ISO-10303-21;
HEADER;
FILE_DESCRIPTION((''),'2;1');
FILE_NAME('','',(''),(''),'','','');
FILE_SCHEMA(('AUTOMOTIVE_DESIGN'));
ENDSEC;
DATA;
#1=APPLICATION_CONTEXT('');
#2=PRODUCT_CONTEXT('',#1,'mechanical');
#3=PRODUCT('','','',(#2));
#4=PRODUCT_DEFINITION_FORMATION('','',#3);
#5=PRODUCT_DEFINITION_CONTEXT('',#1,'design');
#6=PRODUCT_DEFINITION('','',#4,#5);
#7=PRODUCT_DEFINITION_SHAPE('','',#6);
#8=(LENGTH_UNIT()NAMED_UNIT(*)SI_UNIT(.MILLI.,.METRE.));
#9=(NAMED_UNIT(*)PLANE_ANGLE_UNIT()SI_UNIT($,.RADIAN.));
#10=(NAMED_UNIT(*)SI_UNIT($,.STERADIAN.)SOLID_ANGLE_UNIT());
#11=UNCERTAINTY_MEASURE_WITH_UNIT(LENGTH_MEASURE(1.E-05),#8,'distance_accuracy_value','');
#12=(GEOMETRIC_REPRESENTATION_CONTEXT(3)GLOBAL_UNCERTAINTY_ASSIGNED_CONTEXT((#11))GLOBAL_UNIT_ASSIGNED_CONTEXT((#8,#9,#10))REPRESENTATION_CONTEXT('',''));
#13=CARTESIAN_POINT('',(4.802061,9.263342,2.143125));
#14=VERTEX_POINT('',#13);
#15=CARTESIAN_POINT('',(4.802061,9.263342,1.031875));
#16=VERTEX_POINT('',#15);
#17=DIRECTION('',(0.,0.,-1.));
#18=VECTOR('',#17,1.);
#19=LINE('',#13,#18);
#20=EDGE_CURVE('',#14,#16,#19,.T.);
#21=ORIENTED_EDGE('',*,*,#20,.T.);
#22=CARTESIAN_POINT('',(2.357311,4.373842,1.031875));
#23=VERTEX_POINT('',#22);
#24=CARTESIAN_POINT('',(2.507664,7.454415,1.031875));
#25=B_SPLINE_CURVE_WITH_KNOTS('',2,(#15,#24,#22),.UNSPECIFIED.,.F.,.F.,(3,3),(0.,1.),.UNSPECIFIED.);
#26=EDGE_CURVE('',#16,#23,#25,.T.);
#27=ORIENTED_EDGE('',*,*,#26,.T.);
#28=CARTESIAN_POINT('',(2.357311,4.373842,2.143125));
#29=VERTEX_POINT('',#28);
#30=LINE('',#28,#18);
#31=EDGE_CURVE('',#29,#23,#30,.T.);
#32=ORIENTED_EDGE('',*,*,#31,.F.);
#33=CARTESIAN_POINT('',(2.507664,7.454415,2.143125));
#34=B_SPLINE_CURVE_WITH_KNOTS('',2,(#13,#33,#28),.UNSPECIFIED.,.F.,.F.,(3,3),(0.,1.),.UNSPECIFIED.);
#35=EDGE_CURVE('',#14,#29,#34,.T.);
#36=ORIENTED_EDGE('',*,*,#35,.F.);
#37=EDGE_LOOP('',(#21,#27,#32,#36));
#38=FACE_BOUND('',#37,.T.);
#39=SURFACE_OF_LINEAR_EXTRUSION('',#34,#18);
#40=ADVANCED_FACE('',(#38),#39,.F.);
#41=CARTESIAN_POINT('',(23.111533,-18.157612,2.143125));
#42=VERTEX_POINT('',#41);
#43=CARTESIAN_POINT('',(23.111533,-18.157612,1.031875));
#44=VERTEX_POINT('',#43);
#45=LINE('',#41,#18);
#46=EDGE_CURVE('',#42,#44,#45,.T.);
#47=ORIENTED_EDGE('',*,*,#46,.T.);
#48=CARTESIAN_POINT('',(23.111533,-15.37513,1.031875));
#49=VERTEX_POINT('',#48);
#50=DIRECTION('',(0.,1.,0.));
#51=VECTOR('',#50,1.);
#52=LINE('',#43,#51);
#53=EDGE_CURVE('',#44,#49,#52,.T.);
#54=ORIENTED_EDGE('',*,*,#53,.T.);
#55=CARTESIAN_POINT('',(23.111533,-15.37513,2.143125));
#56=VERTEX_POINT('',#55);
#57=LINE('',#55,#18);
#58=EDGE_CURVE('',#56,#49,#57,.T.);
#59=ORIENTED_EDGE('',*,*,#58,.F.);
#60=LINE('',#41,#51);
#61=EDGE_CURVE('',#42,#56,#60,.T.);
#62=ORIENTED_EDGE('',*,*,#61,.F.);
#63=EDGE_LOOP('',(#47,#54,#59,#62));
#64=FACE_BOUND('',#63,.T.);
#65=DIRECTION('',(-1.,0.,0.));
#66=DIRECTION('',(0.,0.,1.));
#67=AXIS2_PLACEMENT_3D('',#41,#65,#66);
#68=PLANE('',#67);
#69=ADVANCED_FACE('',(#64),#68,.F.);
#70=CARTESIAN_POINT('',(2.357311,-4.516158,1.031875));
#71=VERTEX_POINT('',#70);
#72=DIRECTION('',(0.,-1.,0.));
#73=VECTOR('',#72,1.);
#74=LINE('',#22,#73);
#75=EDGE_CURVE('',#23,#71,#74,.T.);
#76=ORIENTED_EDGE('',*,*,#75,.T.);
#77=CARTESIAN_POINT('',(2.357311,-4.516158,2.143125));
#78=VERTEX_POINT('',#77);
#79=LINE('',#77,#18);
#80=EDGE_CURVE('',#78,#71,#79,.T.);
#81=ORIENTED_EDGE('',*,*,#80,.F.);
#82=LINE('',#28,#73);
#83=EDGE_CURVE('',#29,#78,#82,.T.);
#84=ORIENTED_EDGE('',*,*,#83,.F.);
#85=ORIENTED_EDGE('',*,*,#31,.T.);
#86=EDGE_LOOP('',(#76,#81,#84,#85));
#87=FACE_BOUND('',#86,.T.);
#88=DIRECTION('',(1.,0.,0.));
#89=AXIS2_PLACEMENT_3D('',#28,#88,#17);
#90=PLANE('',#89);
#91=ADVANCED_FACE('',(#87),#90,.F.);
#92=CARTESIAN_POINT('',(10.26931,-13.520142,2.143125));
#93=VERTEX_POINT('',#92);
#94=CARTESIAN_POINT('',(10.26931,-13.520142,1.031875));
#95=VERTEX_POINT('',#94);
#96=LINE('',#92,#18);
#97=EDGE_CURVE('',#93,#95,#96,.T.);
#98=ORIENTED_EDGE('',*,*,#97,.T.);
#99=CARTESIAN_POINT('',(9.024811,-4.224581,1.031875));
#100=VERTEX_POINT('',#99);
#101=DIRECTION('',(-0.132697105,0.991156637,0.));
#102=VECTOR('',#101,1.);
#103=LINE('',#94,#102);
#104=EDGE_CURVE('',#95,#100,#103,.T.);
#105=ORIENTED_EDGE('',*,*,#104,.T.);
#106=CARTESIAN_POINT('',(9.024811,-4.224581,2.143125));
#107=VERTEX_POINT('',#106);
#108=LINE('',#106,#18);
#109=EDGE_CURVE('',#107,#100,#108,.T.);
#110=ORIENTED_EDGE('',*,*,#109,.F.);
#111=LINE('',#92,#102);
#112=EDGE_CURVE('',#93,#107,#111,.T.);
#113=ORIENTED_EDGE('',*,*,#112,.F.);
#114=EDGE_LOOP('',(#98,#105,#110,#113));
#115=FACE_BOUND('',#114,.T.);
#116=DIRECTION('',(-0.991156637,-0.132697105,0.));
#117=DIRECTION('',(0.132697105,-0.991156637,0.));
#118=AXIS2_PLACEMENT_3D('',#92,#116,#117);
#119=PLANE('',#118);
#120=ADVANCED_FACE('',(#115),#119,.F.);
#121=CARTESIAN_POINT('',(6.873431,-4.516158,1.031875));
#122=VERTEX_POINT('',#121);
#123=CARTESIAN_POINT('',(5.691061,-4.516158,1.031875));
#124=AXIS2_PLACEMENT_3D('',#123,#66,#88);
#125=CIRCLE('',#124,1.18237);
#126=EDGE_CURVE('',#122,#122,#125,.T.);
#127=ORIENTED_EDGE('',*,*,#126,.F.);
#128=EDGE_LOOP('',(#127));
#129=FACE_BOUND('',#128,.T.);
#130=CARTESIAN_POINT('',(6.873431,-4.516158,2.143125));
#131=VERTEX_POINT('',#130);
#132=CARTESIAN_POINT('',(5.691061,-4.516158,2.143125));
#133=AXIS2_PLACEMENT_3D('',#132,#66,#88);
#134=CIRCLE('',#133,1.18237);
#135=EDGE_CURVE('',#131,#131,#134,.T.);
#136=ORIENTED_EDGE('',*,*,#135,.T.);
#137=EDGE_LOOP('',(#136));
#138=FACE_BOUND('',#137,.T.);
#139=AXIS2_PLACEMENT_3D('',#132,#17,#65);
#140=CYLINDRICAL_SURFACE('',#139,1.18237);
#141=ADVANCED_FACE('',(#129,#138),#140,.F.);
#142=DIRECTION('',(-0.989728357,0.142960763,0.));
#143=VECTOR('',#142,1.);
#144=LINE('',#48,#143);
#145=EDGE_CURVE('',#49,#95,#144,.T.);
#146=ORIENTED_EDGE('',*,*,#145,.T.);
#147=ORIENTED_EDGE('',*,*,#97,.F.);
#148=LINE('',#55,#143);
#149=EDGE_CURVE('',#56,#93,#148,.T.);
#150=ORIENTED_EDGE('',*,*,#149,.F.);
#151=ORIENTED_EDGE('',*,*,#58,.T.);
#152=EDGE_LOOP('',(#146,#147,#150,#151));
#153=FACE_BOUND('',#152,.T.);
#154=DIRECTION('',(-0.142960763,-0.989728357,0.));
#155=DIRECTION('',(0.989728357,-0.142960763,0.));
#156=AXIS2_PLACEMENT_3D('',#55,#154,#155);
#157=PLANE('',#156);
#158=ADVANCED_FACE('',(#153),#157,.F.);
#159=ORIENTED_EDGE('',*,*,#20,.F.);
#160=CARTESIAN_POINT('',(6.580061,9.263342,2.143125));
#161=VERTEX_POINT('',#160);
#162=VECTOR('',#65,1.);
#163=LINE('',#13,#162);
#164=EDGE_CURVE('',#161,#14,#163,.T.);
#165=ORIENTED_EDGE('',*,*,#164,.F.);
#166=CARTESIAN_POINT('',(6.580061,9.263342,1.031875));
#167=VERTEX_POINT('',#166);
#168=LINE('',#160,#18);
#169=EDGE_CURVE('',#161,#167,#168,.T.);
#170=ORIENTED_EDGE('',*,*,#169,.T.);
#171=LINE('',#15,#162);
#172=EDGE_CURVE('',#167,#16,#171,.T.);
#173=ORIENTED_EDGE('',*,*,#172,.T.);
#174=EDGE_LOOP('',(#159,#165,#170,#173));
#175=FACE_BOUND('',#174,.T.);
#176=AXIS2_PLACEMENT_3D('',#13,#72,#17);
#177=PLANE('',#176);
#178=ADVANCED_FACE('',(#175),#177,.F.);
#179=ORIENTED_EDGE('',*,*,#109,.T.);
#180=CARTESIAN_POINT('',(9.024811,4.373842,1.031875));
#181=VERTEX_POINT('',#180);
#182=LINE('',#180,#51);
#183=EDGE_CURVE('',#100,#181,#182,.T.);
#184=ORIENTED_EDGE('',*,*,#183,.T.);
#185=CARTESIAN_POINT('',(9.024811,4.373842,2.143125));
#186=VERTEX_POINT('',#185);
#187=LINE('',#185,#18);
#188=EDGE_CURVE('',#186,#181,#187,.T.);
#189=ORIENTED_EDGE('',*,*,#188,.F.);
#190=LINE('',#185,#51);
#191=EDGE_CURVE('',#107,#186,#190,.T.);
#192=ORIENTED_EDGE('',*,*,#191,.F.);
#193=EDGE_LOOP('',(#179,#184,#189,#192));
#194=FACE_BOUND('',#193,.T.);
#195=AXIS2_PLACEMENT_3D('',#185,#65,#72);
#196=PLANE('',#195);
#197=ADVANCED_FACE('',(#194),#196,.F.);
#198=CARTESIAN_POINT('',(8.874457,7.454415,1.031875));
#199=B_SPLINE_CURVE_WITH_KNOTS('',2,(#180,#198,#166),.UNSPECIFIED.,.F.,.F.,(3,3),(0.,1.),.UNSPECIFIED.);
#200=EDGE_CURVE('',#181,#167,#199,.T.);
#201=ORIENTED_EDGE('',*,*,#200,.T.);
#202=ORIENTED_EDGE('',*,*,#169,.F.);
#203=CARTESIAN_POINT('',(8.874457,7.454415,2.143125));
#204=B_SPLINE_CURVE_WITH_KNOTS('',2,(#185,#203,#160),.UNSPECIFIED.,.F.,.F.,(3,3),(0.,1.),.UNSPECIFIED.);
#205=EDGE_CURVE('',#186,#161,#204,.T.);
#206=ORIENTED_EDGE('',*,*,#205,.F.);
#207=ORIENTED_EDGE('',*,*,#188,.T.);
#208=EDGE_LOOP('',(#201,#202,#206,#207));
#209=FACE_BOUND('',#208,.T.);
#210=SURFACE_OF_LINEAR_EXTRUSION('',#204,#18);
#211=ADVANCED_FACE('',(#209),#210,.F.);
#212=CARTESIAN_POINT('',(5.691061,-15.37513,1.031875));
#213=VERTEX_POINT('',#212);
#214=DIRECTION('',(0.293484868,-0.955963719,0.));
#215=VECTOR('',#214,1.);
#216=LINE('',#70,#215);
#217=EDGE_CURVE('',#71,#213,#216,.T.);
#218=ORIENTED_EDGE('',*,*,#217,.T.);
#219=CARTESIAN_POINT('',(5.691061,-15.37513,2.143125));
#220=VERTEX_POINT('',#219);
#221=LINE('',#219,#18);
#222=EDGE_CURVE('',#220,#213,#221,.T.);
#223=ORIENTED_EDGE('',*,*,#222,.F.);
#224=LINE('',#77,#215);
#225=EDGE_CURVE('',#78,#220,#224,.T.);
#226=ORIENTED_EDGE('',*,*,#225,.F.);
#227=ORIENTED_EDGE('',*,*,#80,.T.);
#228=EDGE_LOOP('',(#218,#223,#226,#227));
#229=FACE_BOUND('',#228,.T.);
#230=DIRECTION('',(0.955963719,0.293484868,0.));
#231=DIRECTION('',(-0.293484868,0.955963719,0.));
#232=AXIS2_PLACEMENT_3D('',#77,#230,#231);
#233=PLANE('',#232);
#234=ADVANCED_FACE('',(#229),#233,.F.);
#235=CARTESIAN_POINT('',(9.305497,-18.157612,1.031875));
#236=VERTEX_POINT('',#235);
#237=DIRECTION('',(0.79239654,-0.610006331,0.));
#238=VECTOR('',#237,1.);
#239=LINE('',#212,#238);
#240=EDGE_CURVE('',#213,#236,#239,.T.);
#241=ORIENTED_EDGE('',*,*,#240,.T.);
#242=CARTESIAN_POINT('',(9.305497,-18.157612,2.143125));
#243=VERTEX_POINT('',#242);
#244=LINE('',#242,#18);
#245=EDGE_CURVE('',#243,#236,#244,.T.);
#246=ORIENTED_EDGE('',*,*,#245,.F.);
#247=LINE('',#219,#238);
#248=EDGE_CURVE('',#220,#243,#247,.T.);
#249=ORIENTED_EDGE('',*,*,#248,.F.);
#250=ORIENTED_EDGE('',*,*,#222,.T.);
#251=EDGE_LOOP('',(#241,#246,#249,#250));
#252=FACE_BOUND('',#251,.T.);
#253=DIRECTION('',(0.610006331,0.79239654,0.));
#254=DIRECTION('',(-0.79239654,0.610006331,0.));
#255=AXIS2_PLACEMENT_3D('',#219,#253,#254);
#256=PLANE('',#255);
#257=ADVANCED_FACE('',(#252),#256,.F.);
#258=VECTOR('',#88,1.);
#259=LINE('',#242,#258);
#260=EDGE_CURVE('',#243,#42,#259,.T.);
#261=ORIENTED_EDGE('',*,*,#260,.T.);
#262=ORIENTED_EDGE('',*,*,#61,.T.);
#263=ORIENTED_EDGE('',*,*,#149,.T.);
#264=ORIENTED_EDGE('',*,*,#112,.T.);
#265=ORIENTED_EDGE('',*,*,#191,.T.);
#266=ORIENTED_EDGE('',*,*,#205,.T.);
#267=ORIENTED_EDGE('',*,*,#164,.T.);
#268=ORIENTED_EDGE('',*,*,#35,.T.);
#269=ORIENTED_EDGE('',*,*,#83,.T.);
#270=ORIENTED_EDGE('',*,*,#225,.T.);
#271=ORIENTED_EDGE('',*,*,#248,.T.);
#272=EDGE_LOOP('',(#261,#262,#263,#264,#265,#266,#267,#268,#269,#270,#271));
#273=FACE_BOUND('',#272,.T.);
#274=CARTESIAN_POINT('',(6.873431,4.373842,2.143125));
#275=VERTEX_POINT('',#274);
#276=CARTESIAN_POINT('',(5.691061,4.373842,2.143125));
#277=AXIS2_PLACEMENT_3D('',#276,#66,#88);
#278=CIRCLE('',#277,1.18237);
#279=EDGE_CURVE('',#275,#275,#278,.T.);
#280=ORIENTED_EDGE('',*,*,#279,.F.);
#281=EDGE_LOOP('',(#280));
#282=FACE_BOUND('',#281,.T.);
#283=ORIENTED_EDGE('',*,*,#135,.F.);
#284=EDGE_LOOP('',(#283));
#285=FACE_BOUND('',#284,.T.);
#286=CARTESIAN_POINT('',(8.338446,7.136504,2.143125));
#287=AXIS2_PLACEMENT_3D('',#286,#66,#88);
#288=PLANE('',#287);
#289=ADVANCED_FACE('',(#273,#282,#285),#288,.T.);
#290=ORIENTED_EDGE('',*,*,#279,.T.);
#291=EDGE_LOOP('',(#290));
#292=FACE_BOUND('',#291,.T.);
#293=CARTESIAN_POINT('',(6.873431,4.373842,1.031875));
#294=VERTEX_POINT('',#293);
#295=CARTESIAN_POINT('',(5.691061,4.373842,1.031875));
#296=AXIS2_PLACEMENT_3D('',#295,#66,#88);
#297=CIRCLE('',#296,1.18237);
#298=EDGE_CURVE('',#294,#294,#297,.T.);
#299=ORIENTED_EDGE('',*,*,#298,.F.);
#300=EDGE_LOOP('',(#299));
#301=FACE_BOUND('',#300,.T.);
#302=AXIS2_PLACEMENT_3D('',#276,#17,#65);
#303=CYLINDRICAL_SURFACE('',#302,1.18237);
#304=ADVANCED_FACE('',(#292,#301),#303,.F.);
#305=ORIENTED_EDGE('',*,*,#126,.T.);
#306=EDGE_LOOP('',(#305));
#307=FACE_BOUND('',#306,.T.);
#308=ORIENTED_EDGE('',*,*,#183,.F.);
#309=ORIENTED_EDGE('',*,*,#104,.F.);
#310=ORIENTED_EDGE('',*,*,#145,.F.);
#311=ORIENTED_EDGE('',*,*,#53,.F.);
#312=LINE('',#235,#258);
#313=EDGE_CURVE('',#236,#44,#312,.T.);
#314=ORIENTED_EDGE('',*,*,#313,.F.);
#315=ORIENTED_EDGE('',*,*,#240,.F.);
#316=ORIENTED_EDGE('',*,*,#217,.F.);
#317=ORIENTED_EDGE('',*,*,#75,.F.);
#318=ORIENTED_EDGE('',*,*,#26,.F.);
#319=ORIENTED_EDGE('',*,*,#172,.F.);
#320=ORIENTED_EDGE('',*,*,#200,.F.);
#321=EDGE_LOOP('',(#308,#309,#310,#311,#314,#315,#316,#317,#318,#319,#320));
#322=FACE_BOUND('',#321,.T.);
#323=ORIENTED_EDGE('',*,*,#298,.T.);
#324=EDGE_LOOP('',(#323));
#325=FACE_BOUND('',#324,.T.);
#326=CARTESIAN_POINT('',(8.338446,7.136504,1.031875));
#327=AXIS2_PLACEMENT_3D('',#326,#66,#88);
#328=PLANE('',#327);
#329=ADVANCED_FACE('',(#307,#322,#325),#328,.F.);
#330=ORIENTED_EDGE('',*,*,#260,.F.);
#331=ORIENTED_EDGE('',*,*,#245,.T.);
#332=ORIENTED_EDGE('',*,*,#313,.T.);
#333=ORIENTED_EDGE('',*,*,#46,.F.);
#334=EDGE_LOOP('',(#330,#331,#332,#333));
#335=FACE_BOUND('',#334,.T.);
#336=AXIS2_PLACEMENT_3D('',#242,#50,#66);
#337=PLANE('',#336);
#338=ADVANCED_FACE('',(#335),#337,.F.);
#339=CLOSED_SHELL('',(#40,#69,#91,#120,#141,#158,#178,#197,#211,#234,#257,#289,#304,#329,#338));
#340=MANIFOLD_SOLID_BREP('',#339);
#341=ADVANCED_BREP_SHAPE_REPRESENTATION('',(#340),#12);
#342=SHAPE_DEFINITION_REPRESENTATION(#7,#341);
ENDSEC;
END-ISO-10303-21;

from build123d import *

# Parameters (mm, degrees)
SKETCH1_R           = 3.3782
BOSS_EXTRUDE1_DEPTH = 3.175
SCALE1_SCALE        = 0.35


with BuildPart() as part:
    # Sketch1 → Boss-Extrude1 (new body)
    with BuildSketch(Plane.XY):
        with BuildLine():
            Line((-2.54, 39.37), (2.54, 39.37))
            add(Edge.make_bspline(
                [(2.54, 39.37), (9.095418915, 34.201637521), (9.525, 25.4)],
                knots=[0, 0, 0, 1, 1, 1], degree=2))
            Line((9.525, 25.4), (9.525, 0.833077402))
            Line((9.525, 0.833077402), (13.080713372, -25.725670045))
            Line((13.080713372, -25.725670045), (49.772779476, -31.025635149))
            Line((49.772779476, -31.025635149), (49.772779476, -38.975582805))
            Line((49.772779476, -38.975582805), (10.326960053, -38.975582805))
            Line((10.326960053, -38.975582805), (0, -31.025635149))
            Line((0, -31.025635149), (-9.525, 0))
            Line((-9.525, 0), (-9.525, 25.4))
            add(Edge.make_bspline(
                [(-2.54, 39.37), (-9.095418915, 34.201637521), (-9.525, 25.4)],
                knots=[0, 0, 0, 1, 1, 1], degree=2))
        make_face()
        with Locations((0, 25.4)):
            Circle(SKETCH1_R, mode=Mode.SUBTRACT)
        Circle(SKETCH1_R, mode=Mode.SUBTRACT)
    extrude(amount=BOSS_EXTRUDE1_DEPTH)


with BuildPart() as part_1:
    # Scale1: scaled about (8.755454484, -6.947922753, 1.5875)
    add(part.part.scale(SCALE1_SCALE).moved(Location((5.691045415, -4.516149789, 1.031875))))


solid = part_1.part
